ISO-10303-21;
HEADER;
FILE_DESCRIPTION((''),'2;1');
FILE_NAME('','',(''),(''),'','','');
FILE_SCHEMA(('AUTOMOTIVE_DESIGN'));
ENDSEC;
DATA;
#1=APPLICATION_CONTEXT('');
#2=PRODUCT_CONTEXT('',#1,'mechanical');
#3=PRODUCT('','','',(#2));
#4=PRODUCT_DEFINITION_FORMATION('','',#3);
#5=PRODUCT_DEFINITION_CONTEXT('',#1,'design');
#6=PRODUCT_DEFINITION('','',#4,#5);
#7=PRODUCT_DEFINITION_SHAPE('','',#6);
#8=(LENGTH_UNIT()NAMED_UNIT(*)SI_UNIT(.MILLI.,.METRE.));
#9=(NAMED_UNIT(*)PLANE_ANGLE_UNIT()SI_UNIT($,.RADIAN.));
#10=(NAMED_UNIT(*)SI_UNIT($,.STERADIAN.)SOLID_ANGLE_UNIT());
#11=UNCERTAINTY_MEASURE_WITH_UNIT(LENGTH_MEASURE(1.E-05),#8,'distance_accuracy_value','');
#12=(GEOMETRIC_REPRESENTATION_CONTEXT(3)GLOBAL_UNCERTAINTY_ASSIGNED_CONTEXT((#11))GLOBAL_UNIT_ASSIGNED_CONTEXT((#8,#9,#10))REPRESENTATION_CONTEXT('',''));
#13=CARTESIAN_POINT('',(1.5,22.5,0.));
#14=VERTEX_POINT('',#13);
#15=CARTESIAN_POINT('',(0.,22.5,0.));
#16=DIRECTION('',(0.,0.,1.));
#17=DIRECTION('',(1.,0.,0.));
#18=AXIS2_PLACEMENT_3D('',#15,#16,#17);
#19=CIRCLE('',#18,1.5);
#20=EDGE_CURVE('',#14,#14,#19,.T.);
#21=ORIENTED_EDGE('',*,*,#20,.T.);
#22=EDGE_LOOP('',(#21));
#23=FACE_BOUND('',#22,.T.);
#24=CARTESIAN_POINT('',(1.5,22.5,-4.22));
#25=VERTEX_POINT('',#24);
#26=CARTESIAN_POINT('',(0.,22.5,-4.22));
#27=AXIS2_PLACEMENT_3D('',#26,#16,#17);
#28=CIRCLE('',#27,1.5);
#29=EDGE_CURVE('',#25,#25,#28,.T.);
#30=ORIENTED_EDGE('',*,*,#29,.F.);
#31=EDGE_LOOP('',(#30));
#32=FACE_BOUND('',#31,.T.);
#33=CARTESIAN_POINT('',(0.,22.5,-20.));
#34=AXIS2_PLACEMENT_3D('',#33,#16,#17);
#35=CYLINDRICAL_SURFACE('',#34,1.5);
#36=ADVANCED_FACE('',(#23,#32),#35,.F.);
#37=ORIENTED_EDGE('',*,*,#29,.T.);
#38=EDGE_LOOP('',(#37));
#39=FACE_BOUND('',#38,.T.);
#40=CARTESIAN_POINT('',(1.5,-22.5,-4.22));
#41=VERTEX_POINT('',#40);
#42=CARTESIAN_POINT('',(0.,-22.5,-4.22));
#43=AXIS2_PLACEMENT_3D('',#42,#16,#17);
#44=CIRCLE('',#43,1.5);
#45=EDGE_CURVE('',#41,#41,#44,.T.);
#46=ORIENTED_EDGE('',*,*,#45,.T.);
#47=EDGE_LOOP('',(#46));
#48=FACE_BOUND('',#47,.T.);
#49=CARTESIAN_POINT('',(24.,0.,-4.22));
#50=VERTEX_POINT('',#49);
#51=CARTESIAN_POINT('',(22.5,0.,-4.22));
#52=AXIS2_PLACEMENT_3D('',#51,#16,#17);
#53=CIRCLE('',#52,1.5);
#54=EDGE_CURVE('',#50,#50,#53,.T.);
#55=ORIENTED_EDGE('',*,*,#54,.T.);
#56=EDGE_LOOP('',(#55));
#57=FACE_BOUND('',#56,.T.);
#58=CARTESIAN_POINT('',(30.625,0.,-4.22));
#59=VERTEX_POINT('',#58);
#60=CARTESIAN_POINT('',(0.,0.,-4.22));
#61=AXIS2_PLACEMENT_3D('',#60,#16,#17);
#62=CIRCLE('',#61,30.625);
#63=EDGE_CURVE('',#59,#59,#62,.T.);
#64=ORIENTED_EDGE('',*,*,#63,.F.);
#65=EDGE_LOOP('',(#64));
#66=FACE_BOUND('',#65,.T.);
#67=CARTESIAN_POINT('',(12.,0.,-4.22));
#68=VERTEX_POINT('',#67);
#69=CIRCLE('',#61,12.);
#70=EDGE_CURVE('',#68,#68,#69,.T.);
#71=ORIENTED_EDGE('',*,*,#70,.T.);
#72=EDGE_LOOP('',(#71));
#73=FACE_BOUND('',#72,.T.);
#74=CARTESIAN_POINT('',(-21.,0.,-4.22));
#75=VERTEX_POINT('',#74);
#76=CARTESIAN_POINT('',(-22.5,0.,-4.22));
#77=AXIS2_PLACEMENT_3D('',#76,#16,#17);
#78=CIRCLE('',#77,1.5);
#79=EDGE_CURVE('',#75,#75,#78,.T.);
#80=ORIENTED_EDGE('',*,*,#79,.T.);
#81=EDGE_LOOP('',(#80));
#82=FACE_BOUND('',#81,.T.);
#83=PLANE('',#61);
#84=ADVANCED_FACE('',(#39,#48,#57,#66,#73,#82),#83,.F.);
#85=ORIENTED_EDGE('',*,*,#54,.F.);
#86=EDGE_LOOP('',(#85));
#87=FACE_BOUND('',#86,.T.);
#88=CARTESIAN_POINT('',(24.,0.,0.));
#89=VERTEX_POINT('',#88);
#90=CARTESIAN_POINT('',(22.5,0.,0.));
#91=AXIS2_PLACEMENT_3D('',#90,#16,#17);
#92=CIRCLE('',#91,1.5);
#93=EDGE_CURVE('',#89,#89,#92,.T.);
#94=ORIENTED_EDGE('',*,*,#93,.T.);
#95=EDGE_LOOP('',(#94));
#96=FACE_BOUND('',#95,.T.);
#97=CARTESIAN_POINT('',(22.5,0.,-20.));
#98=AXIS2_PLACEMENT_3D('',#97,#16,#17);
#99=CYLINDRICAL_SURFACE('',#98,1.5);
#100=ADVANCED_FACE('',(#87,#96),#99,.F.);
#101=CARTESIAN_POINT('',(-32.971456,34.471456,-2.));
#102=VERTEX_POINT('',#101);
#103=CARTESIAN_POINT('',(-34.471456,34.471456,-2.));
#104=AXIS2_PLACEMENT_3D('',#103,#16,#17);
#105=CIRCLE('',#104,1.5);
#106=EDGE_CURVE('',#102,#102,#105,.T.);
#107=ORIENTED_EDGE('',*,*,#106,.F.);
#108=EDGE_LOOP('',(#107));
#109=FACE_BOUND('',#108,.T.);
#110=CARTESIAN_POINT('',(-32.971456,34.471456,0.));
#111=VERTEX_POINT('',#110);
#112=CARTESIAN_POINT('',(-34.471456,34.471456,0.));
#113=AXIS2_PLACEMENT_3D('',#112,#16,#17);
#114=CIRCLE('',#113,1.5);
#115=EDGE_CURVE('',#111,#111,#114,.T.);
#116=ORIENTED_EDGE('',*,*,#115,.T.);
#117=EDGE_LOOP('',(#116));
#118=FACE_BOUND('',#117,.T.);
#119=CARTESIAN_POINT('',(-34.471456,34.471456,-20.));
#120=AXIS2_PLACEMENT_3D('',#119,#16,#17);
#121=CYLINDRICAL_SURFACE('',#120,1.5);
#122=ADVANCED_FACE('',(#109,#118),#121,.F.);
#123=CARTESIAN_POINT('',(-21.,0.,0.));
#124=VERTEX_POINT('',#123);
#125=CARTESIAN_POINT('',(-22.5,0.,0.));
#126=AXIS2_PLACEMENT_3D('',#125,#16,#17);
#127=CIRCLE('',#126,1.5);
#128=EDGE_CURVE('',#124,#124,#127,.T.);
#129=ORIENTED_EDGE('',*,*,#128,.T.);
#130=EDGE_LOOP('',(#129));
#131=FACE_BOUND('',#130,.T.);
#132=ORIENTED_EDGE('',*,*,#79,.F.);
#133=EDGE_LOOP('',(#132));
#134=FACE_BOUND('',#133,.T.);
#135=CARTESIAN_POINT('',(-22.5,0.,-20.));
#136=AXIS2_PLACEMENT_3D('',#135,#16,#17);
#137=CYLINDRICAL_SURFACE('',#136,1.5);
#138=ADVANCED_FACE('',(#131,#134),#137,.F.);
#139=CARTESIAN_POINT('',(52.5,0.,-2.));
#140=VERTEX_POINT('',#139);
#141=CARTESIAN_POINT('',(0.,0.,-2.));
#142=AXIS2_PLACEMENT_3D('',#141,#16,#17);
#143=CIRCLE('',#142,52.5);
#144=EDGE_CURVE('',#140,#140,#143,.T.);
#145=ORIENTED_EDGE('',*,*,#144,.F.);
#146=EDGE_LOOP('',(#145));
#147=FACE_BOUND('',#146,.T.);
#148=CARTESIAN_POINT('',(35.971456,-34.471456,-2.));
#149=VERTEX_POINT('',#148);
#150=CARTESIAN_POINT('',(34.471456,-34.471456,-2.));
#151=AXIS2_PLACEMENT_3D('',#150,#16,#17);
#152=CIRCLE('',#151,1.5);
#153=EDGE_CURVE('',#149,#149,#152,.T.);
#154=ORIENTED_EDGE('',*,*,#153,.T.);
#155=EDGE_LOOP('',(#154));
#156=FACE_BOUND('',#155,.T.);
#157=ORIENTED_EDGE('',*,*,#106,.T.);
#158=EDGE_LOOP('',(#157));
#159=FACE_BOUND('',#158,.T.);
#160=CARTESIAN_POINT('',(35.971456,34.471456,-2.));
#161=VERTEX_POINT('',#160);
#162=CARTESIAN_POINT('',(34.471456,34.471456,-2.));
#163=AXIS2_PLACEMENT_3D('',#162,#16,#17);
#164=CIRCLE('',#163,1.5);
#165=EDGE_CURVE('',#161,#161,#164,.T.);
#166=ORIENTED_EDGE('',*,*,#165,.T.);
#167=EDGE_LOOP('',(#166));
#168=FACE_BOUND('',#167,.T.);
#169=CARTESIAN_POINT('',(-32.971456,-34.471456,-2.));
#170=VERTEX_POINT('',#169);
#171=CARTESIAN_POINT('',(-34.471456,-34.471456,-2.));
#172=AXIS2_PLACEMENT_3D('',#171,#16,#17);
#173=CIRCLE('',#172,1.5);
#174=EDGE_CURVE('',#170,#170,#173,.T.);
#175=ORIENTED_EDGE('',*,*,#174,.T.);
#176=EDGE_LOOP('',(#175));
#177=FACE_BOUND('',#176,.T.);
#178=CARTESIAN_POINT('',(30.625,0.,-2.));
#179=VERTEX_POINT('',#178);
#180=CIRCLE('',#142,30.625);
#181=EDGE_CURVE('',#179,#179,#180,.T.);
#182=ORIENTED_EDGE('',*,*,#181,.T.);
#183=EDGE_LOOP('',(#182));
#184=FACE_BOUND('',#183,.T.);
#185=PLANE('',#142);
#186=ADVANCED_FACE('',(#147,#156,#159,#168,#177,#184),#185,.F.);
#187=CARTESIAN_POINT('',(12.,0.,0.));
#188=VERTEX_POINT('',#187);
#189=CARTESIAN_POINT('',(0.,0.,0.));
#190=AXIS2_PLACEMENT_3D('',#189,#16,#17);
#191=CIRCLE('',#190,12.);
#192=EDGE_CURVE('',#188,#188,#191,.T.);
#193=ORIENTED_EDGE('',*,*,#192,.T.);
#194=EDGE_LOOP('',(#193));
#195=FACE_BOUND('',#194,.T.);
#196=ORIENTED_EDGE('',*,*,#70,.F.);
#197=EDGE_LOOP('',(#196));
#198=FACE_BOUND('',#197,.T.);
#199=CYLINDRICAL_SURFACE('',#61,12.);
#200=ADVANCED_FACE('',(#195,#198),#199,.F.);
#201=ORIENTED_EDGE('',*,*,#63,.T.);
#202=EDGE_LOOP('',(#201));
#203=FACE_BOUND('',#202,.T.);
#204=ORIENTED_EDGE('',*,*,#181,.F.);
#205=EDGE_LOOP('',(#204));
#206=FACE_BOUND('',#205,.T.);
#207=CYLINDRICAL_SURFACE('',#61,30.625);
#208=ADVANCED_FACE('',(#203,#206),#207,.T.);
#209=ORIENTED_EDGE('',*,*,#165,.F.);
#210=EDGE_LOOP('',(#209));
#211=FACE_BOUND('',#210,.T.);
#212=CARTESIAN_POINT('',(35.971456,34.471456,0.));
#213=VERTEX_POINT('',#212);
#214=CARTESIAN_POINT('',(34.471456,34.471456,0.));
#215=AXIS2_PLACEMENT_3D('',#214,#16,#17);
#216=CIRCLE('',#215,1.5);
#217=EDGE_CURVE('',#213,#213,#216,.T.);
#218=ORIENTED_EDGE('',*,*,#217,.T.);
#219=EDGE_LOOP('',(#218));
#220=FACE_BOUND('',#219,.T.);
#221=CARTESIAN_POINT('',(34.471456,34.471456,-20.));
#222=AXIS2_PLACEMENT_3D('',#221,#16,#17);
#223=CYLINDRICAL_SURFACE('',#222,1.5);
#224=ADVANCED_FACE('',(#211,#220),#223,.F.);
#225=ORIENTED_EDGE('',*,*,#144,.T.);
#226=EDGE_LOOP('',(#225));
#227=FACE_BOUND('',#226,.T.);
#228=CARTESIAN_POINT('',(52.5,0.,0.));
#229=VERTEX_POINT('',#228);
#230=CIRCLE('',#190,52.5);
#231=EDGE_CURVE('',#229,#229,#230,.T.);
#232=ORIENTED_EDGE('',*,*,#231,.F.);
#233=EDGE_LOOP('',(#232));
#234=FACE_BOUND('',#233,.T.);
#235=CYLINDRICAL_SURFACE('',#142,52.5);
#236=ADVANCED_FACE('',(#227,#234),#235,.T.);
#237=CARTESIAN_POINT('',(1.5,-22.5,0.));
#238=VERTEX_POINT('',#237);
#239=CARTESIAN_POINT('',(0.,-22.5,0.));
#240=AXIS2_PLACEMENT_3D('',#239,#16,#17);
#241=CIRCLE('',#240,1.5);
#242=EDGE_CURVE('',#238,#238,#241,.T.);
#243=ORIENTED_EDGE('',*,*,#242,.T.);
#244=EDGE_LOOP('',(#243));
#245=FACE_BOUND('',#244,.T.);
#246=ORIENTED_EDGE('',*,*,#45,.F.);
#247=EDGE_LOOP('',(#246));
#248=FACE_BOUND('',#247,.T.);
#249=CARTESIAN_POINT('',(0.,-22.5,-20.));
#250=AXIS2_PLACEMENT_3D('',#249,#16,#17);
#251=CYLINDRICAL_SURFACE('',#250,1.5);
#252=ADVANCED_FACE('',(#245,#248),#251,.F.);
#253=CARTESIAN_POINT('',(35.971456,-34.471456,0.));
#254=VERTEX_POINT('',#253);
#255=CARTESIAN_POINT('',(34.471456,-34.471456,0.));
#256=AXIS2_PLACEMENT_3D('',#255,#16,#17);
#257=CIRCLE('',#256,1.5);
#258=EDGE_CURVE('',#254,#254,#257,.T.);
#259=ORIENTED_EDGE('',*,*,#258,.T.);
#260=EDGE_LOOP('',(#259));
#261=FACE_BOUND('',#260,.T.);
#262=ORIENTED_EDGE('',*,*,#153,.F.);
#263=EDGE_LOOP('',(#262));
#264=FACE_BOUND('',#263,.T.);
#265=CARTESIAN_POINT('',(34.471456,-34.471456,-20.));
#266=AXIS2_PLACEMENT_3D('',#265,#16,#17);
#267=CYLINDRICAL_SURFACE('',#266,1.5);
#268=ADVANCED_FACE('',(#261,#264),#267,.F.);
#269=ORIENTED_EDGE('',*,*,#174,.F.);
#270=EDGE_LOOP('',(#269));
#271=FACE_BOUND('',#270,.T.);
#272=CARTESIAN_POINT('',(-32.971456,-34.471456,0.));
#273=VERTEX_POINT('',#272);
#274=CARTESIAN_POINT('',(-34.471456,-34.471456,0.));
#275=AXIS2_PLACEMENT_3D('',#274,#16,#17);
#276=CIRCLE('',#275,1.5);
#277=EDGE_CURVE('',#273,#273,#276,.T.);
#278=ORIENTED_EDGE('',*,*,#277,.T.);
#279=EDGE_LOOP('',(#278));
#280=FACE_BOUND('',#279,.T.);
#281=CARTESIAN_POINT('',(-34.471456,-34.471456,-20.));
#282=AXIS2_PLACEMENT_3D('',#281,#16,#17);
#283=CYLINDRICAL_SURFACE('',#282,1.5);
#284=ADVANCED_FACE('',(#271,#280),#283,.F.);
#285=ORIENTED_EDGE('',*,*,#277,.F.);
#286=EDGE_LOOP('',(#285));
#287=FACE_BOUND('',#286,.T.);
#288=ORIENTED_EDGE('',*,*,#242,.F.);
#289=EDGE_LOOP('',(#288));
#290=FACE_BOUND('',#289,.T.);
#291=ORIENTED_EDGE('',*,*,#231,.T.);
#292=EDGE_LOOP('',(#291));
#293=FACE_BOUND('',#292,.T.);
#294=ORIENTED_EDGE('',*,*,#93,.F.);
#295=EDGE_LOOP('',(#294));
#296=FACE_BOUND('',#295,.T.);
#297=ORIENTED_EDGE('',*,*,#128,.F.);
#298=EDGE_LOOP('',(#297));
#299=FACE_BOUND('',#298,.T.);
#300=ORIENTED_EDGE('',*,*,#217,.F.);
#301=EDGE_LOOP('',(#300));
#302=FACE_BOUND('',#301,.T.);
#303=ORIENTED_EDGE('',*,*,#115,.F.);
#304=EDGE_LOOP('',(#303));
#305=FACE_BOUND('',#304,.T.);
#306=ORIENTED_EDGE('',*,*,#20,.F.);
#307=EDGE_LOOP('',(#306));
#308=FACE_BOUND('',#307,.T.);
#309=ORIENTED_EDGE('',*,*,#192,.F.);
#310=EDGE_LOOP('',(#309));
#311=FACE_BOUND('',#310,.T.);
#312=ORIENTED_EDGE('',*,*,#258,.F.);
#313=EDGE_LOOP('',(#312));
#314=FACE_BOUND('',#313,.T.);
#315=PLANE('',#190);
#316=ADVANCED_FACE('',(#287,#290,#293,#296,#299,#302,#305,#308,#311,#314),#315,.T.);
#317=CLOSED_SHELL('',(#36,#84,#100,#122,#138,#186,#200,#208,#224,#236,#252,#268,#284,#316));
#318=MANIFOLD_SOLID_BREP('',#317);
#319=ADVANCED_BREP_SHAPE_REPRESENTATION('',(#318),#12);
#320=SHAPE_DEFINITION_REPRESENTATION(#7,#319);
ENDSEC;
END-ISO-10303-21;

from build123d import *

# Parameters (mm, degrees)
SKETCH1_R           = 30.625
SKETCH1_R_2         = 12
BOSS_EXTRUDE1_DEPTH = 4.22
SKETCH1_4_R         = 52.5
SKETCH1_4_R_2       = 30.625
BOSS_EXTRUDE2_DEPTH = 2
SKETCH2_R           = 1.5
CUT_EXTRUDE1_DEPTH  = 20


with BuildPart() as part:
    # Sketch1 → Boss-Extrude1 (new body)
    with BuildSketch(Plane.XY):
        Circle(SKETCH1_R)
        Circle(SKETCH1_R_2, mode=Mode.SUBTRACT)
    extrude(amount=-BOSS_EXTRUDE1_DEPTH)

    # Sketch1<4> → Boss-Extrude2 (add)
    with BuildSketch(Plane.XY):
        Circle(SKETCH1_4_R)
        Circle(SKETCH1_4_R_2, mode=Mode.SUBTRACT)
    extrude(amount=-BOSS_EXTRUDE2_DEPTH)

    # Sketch2 → Cut-Extrude1 (cut)
    with BuildSketch(Plane.XY):
        with Locations((-34.471455583, 34.471455583)):
            Circle(SKETCH2_R)
        with Locations((34.471455583, 34.471455583)):
            Circle(SKETCH2_R)
        with Locations((34.471455583, -34.471455583)):
            Circle(SKETCH2_R)
        with Locations((-34.471455583, -34.471455583)):
            Circle(SKETCH2_R)
        with Locations((0, 22.5)):
            Circle(SKETCH2_R)
        with Locations((22.5, 0)):
            Circle(SKETCH2_R)
        with Locations((0, -22.5)):
            Circle(SKETCH2_R)
        with Locations((-22.5, 0)):
            Circle(SKETCH2_R)
    extrude(amount=-CUT_EXTRUDE1_DEPTH, mode=Mode.SUBTRACT)


solid = part.part
